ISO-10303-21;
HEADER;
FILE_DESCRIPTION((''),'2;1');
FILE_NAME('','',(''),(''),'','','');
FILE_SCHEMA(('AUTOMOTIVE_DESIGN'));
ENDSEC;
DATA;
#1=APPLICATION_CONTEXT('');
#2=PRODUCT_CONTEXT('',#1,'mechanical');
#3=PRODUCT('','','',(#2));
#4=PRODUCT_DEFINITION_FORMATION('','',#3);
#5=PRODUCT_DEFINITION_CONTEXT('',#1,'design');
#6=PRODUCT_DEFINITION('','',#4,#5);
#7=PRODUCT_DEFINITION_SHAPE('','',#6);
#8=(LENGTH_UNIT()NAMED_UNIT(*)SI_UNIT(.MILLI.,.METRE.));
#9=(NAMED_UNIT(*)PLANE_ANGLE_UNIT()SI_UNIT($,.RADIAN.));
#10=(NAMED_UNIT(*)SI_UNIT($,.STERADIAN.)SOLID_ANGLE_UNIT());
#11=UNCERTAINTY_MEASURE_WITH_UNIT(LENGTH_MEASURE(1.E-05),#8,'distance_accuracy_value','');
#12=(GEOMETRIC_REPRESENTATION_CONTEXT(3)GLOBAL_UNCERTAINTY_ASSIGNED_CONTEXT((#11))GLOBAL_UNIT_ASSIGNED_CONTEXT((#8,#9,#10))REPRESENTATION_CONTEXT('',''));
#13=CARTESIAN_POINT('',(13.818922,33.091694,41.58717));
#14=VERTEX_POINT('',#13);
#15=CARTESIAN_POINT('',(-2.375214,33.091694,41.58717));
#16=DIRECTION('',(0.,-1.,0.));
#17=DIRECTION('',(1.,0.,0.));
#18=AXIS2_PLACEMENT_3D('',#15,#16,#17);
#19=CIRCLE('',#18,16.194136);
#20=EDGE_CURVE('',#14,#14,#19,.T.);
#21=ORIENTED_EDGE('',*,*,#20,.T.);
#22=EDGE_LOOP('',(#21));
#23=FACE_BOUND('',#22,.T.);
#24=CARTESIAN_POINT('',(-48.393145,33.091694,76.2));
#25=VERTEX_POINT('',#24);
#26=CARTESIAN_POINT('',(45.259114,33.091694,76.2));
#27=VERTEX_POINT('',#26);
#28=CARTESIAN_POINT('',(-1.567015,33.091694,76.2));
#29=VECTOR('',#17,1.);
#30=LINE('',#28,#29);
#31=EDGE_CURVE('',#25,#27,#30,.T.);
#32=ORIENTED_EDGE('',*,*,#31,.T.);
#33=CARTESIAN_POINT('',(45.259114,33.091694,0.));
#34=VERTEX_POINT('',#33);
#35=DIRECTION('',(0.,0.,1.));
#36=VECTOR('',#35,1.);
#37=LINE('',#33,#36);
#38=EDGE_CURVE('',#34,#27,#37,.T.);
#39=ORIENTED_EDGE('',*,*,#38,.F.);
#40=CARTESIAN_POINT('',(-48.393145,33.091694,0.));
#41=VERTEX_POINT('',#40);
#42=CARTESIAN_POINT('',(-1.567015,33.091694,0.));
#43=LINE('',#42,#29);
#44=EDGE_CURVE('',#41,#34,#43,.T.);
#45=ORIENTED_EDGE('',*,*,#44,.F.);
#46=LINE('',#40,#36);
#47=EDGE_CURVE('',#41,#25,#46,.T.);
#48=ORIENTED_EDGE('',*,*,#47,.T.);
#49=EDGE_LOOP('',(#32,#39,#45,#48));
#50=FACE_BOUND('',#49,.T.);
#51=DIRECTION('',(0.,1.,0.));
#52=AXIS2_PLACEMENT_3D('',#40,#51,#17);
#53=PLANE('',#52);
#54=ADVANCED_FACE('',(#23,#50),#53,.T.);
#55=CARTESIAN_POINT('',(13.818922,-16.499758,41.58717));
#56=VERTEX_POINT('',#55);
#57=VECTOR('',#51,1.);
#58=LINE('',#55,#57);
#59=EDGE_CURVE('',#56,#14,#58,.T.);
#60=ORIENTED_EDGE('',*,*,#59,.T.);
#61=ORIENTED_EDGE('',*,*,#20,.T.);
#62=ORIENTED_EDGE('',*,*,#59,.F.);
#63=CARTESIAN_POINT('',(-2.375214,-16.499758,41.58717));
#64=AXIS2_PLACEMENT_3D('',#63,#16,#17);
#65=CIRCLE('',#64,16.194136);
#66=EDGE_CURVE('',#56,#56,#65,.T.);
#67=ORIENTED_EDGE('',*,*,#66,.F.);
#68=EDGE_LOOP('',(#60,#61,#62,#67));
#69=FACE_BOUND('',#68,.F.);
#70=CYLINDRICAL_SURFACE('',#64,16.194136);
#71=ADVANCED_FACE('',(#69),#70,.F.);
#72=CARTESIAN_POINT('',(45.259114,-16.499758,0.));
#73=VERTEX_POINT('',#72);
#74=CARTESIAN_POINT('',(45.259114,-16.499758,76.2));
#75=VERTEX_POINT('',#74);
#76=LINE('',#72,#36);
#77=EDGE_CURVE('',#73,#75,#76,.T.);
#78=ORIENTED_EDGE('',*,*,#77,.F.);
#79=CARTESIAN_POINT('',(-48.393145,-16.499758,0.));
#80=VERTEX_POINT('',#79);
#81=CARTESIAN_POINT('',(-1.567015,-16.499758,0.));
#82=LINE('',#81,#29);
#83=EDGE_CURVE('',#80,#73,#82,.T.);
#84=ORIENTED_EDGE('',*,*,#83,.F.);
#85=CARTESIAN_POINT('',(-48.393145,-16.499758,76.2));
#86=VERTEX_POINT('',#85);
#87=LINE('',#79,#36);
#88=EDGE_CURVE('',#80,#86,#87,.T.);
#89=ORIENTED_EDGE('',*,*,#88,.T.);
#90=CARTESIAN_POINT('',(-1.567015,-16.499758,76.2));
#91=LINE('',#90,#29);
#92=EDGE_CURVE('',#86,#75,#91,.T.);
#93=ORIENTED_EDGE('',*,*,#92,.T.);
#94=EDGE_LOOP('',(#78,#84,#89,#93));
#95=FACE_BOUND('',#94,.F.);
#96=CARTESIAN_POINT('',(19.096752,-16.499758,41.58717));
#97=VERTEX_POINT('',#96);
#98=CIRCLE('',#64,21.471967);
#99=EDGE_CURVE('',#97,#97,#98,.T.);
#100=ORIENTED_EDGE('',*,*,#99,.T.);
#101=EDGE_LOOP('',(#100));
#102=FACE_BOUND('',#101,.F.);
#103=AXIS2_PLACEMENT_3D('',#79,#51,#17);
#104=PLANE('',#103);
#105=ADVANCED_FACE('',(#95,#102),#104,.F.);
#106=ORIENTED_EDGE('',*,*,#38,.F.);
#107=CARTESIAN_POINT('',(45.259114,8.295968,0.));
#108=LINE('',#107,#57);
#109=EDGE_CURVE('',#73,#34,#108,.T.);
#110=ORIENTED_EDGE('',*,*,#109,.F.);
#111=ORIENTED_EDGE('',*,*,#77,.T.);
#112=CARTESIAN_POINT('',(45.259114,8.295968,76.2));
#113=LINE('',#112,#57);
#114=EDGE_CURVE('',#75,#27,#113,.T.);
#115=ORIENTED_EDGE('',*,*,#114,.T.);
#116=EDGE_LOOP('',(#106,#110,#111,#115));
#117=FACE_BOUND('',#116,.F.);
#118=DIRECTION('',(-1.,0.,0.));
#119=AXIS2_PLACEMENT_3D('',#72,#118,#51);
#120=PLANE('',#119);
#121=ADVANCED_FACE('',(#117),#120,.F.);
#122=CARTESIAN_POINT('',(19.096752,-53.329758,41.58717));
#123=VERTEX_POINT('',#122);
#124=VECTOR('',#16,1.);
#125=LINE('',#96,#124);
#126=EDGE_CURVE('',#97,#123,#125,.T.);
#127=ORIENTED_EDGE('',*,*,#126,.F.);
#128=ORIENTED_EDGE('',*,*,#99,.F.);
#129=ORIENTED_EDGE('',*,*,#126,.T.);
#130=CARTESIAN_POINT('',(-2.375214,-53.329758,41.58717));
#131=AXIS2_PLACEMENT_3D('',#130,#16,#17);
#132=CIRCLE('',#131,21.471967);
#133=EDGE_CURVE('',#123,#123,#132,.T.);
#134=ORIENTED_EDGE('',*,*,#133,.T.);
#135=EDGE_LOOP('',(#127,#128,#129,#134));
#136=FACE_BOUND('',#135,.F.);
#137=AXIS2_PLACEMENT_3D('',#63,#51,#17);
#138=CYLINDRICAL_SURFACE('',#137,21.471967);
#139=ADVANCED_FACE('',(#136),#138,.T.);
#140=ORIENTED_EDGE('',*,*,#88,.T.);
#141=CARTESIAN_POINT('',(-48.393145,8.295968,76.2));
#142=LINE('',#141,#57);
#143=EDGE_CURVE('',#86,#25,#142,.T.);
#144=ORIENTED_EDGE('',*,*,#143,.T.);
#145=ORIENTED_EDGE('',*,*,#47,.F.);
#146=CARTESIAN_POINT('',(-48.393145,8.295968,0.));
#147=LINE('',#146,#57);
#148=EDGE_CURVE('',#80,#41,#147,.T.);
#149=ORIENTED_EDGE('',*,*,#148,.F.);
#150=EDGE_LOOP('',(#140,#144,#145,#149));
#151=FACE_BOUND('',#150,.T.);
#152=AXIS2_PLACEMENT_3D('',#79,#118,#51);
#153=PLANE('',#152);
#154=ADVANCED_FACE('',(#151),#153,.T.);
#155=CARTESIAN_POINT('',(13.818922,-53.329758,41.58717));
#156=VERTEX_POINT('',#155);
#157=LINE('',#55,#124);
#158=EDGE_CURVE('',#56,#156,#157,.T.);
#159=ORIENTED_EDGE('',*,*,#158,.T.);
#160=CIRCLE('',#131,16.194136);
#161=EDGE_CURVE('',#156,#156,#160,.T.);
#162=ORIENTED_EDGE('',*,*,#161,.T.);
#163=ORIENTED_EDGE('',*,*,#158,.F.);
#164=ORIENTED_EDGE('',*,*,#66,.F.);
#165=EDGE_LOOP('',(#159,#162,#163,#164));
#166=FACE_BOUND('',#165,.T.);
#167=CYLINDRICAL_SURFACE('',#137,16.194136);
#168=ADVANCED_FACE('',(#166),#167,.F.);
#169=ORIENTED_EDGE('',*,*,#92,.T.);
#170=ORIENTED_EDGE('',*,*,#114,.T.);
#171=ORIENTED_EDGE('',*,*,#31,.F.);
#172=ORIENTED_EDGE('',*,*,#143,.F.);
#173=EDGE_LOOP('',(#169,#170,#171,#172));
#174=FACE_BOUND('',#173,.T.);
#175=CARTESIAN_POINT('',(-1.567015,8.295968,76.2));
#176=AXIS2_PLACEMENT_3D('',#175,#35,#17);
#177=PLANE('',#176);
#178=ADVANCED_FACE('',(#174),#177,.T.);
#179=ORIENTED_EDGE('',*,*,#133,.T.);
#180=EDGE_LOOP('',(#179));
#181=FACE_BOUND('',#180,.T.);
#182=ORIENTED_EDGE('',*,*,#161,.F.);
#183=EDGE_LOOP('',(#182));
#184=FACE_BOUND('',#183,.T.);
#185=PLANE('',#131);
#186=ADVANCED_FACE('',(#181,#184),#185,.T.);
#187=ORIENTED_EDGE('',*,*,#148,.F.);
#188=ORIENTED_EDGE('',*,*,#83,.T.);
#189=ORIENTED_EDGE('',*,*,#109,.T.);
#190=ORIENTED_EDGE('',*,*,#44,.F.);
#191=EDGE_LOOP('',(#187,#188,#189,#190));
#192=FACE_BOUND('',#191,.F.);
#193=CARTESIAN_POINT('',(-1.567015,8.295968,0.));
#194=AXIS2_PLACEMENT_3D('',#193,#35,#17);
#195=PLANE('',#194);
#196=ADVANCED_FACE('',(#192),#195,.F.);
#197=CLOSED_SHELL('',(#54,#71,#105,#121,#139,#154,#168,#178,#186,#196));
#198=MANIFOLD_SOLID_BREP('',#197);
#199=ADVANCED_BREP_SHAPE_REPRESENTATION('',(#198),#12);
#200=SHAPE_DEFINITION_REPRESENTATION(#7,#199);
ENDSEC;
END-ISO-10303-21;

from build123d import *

# Parameters (mm, degrees)
F0_W     = 93.6522595584
F0_H     = 49.5914518833
F1_DEPTH = 76.2
F2_R     = 16.194136499
F3_DEPTH = 50.8
F4_R     = 21.4719665267
F4_R_2   = 16.194136499
F5_DEPTH = 36.83


with BuildPart() as f1:
    # F0 (on Top) → F1 (new body)
    with BuildSketch(Plane.XY):
        with Locations((-1.5670154244, 8.2959681749)):
            Rectangle(F0_W, F0_H)
    extrude(amount=F1_DEPTH)

    # F2 (on face) → F3 (cut)
    with BuildSketch(Plane.XZ.offset(16.4997577667)):
        with Locations((-2.3752143607, 41.5871702135)):
            Circle(F2_R)
    extrude(amount=-F3_DEPTH, mode=Mode.SUBTRACT)

    # F4 (on face) → F5 (join)
    with BuildSketch(Plane.XZ.offset(16.4997577667)):
        with Locations((-2.3752143607, 41.5871702135)):
            Circle(F4_R)
        with Locations((-2.3752143607, 41.5871702135)):
            Circle(F4_R_2, mode=Mode.SUBTRACT)
    extrude(amount=F5_DEPTH)


solid = f1.part
